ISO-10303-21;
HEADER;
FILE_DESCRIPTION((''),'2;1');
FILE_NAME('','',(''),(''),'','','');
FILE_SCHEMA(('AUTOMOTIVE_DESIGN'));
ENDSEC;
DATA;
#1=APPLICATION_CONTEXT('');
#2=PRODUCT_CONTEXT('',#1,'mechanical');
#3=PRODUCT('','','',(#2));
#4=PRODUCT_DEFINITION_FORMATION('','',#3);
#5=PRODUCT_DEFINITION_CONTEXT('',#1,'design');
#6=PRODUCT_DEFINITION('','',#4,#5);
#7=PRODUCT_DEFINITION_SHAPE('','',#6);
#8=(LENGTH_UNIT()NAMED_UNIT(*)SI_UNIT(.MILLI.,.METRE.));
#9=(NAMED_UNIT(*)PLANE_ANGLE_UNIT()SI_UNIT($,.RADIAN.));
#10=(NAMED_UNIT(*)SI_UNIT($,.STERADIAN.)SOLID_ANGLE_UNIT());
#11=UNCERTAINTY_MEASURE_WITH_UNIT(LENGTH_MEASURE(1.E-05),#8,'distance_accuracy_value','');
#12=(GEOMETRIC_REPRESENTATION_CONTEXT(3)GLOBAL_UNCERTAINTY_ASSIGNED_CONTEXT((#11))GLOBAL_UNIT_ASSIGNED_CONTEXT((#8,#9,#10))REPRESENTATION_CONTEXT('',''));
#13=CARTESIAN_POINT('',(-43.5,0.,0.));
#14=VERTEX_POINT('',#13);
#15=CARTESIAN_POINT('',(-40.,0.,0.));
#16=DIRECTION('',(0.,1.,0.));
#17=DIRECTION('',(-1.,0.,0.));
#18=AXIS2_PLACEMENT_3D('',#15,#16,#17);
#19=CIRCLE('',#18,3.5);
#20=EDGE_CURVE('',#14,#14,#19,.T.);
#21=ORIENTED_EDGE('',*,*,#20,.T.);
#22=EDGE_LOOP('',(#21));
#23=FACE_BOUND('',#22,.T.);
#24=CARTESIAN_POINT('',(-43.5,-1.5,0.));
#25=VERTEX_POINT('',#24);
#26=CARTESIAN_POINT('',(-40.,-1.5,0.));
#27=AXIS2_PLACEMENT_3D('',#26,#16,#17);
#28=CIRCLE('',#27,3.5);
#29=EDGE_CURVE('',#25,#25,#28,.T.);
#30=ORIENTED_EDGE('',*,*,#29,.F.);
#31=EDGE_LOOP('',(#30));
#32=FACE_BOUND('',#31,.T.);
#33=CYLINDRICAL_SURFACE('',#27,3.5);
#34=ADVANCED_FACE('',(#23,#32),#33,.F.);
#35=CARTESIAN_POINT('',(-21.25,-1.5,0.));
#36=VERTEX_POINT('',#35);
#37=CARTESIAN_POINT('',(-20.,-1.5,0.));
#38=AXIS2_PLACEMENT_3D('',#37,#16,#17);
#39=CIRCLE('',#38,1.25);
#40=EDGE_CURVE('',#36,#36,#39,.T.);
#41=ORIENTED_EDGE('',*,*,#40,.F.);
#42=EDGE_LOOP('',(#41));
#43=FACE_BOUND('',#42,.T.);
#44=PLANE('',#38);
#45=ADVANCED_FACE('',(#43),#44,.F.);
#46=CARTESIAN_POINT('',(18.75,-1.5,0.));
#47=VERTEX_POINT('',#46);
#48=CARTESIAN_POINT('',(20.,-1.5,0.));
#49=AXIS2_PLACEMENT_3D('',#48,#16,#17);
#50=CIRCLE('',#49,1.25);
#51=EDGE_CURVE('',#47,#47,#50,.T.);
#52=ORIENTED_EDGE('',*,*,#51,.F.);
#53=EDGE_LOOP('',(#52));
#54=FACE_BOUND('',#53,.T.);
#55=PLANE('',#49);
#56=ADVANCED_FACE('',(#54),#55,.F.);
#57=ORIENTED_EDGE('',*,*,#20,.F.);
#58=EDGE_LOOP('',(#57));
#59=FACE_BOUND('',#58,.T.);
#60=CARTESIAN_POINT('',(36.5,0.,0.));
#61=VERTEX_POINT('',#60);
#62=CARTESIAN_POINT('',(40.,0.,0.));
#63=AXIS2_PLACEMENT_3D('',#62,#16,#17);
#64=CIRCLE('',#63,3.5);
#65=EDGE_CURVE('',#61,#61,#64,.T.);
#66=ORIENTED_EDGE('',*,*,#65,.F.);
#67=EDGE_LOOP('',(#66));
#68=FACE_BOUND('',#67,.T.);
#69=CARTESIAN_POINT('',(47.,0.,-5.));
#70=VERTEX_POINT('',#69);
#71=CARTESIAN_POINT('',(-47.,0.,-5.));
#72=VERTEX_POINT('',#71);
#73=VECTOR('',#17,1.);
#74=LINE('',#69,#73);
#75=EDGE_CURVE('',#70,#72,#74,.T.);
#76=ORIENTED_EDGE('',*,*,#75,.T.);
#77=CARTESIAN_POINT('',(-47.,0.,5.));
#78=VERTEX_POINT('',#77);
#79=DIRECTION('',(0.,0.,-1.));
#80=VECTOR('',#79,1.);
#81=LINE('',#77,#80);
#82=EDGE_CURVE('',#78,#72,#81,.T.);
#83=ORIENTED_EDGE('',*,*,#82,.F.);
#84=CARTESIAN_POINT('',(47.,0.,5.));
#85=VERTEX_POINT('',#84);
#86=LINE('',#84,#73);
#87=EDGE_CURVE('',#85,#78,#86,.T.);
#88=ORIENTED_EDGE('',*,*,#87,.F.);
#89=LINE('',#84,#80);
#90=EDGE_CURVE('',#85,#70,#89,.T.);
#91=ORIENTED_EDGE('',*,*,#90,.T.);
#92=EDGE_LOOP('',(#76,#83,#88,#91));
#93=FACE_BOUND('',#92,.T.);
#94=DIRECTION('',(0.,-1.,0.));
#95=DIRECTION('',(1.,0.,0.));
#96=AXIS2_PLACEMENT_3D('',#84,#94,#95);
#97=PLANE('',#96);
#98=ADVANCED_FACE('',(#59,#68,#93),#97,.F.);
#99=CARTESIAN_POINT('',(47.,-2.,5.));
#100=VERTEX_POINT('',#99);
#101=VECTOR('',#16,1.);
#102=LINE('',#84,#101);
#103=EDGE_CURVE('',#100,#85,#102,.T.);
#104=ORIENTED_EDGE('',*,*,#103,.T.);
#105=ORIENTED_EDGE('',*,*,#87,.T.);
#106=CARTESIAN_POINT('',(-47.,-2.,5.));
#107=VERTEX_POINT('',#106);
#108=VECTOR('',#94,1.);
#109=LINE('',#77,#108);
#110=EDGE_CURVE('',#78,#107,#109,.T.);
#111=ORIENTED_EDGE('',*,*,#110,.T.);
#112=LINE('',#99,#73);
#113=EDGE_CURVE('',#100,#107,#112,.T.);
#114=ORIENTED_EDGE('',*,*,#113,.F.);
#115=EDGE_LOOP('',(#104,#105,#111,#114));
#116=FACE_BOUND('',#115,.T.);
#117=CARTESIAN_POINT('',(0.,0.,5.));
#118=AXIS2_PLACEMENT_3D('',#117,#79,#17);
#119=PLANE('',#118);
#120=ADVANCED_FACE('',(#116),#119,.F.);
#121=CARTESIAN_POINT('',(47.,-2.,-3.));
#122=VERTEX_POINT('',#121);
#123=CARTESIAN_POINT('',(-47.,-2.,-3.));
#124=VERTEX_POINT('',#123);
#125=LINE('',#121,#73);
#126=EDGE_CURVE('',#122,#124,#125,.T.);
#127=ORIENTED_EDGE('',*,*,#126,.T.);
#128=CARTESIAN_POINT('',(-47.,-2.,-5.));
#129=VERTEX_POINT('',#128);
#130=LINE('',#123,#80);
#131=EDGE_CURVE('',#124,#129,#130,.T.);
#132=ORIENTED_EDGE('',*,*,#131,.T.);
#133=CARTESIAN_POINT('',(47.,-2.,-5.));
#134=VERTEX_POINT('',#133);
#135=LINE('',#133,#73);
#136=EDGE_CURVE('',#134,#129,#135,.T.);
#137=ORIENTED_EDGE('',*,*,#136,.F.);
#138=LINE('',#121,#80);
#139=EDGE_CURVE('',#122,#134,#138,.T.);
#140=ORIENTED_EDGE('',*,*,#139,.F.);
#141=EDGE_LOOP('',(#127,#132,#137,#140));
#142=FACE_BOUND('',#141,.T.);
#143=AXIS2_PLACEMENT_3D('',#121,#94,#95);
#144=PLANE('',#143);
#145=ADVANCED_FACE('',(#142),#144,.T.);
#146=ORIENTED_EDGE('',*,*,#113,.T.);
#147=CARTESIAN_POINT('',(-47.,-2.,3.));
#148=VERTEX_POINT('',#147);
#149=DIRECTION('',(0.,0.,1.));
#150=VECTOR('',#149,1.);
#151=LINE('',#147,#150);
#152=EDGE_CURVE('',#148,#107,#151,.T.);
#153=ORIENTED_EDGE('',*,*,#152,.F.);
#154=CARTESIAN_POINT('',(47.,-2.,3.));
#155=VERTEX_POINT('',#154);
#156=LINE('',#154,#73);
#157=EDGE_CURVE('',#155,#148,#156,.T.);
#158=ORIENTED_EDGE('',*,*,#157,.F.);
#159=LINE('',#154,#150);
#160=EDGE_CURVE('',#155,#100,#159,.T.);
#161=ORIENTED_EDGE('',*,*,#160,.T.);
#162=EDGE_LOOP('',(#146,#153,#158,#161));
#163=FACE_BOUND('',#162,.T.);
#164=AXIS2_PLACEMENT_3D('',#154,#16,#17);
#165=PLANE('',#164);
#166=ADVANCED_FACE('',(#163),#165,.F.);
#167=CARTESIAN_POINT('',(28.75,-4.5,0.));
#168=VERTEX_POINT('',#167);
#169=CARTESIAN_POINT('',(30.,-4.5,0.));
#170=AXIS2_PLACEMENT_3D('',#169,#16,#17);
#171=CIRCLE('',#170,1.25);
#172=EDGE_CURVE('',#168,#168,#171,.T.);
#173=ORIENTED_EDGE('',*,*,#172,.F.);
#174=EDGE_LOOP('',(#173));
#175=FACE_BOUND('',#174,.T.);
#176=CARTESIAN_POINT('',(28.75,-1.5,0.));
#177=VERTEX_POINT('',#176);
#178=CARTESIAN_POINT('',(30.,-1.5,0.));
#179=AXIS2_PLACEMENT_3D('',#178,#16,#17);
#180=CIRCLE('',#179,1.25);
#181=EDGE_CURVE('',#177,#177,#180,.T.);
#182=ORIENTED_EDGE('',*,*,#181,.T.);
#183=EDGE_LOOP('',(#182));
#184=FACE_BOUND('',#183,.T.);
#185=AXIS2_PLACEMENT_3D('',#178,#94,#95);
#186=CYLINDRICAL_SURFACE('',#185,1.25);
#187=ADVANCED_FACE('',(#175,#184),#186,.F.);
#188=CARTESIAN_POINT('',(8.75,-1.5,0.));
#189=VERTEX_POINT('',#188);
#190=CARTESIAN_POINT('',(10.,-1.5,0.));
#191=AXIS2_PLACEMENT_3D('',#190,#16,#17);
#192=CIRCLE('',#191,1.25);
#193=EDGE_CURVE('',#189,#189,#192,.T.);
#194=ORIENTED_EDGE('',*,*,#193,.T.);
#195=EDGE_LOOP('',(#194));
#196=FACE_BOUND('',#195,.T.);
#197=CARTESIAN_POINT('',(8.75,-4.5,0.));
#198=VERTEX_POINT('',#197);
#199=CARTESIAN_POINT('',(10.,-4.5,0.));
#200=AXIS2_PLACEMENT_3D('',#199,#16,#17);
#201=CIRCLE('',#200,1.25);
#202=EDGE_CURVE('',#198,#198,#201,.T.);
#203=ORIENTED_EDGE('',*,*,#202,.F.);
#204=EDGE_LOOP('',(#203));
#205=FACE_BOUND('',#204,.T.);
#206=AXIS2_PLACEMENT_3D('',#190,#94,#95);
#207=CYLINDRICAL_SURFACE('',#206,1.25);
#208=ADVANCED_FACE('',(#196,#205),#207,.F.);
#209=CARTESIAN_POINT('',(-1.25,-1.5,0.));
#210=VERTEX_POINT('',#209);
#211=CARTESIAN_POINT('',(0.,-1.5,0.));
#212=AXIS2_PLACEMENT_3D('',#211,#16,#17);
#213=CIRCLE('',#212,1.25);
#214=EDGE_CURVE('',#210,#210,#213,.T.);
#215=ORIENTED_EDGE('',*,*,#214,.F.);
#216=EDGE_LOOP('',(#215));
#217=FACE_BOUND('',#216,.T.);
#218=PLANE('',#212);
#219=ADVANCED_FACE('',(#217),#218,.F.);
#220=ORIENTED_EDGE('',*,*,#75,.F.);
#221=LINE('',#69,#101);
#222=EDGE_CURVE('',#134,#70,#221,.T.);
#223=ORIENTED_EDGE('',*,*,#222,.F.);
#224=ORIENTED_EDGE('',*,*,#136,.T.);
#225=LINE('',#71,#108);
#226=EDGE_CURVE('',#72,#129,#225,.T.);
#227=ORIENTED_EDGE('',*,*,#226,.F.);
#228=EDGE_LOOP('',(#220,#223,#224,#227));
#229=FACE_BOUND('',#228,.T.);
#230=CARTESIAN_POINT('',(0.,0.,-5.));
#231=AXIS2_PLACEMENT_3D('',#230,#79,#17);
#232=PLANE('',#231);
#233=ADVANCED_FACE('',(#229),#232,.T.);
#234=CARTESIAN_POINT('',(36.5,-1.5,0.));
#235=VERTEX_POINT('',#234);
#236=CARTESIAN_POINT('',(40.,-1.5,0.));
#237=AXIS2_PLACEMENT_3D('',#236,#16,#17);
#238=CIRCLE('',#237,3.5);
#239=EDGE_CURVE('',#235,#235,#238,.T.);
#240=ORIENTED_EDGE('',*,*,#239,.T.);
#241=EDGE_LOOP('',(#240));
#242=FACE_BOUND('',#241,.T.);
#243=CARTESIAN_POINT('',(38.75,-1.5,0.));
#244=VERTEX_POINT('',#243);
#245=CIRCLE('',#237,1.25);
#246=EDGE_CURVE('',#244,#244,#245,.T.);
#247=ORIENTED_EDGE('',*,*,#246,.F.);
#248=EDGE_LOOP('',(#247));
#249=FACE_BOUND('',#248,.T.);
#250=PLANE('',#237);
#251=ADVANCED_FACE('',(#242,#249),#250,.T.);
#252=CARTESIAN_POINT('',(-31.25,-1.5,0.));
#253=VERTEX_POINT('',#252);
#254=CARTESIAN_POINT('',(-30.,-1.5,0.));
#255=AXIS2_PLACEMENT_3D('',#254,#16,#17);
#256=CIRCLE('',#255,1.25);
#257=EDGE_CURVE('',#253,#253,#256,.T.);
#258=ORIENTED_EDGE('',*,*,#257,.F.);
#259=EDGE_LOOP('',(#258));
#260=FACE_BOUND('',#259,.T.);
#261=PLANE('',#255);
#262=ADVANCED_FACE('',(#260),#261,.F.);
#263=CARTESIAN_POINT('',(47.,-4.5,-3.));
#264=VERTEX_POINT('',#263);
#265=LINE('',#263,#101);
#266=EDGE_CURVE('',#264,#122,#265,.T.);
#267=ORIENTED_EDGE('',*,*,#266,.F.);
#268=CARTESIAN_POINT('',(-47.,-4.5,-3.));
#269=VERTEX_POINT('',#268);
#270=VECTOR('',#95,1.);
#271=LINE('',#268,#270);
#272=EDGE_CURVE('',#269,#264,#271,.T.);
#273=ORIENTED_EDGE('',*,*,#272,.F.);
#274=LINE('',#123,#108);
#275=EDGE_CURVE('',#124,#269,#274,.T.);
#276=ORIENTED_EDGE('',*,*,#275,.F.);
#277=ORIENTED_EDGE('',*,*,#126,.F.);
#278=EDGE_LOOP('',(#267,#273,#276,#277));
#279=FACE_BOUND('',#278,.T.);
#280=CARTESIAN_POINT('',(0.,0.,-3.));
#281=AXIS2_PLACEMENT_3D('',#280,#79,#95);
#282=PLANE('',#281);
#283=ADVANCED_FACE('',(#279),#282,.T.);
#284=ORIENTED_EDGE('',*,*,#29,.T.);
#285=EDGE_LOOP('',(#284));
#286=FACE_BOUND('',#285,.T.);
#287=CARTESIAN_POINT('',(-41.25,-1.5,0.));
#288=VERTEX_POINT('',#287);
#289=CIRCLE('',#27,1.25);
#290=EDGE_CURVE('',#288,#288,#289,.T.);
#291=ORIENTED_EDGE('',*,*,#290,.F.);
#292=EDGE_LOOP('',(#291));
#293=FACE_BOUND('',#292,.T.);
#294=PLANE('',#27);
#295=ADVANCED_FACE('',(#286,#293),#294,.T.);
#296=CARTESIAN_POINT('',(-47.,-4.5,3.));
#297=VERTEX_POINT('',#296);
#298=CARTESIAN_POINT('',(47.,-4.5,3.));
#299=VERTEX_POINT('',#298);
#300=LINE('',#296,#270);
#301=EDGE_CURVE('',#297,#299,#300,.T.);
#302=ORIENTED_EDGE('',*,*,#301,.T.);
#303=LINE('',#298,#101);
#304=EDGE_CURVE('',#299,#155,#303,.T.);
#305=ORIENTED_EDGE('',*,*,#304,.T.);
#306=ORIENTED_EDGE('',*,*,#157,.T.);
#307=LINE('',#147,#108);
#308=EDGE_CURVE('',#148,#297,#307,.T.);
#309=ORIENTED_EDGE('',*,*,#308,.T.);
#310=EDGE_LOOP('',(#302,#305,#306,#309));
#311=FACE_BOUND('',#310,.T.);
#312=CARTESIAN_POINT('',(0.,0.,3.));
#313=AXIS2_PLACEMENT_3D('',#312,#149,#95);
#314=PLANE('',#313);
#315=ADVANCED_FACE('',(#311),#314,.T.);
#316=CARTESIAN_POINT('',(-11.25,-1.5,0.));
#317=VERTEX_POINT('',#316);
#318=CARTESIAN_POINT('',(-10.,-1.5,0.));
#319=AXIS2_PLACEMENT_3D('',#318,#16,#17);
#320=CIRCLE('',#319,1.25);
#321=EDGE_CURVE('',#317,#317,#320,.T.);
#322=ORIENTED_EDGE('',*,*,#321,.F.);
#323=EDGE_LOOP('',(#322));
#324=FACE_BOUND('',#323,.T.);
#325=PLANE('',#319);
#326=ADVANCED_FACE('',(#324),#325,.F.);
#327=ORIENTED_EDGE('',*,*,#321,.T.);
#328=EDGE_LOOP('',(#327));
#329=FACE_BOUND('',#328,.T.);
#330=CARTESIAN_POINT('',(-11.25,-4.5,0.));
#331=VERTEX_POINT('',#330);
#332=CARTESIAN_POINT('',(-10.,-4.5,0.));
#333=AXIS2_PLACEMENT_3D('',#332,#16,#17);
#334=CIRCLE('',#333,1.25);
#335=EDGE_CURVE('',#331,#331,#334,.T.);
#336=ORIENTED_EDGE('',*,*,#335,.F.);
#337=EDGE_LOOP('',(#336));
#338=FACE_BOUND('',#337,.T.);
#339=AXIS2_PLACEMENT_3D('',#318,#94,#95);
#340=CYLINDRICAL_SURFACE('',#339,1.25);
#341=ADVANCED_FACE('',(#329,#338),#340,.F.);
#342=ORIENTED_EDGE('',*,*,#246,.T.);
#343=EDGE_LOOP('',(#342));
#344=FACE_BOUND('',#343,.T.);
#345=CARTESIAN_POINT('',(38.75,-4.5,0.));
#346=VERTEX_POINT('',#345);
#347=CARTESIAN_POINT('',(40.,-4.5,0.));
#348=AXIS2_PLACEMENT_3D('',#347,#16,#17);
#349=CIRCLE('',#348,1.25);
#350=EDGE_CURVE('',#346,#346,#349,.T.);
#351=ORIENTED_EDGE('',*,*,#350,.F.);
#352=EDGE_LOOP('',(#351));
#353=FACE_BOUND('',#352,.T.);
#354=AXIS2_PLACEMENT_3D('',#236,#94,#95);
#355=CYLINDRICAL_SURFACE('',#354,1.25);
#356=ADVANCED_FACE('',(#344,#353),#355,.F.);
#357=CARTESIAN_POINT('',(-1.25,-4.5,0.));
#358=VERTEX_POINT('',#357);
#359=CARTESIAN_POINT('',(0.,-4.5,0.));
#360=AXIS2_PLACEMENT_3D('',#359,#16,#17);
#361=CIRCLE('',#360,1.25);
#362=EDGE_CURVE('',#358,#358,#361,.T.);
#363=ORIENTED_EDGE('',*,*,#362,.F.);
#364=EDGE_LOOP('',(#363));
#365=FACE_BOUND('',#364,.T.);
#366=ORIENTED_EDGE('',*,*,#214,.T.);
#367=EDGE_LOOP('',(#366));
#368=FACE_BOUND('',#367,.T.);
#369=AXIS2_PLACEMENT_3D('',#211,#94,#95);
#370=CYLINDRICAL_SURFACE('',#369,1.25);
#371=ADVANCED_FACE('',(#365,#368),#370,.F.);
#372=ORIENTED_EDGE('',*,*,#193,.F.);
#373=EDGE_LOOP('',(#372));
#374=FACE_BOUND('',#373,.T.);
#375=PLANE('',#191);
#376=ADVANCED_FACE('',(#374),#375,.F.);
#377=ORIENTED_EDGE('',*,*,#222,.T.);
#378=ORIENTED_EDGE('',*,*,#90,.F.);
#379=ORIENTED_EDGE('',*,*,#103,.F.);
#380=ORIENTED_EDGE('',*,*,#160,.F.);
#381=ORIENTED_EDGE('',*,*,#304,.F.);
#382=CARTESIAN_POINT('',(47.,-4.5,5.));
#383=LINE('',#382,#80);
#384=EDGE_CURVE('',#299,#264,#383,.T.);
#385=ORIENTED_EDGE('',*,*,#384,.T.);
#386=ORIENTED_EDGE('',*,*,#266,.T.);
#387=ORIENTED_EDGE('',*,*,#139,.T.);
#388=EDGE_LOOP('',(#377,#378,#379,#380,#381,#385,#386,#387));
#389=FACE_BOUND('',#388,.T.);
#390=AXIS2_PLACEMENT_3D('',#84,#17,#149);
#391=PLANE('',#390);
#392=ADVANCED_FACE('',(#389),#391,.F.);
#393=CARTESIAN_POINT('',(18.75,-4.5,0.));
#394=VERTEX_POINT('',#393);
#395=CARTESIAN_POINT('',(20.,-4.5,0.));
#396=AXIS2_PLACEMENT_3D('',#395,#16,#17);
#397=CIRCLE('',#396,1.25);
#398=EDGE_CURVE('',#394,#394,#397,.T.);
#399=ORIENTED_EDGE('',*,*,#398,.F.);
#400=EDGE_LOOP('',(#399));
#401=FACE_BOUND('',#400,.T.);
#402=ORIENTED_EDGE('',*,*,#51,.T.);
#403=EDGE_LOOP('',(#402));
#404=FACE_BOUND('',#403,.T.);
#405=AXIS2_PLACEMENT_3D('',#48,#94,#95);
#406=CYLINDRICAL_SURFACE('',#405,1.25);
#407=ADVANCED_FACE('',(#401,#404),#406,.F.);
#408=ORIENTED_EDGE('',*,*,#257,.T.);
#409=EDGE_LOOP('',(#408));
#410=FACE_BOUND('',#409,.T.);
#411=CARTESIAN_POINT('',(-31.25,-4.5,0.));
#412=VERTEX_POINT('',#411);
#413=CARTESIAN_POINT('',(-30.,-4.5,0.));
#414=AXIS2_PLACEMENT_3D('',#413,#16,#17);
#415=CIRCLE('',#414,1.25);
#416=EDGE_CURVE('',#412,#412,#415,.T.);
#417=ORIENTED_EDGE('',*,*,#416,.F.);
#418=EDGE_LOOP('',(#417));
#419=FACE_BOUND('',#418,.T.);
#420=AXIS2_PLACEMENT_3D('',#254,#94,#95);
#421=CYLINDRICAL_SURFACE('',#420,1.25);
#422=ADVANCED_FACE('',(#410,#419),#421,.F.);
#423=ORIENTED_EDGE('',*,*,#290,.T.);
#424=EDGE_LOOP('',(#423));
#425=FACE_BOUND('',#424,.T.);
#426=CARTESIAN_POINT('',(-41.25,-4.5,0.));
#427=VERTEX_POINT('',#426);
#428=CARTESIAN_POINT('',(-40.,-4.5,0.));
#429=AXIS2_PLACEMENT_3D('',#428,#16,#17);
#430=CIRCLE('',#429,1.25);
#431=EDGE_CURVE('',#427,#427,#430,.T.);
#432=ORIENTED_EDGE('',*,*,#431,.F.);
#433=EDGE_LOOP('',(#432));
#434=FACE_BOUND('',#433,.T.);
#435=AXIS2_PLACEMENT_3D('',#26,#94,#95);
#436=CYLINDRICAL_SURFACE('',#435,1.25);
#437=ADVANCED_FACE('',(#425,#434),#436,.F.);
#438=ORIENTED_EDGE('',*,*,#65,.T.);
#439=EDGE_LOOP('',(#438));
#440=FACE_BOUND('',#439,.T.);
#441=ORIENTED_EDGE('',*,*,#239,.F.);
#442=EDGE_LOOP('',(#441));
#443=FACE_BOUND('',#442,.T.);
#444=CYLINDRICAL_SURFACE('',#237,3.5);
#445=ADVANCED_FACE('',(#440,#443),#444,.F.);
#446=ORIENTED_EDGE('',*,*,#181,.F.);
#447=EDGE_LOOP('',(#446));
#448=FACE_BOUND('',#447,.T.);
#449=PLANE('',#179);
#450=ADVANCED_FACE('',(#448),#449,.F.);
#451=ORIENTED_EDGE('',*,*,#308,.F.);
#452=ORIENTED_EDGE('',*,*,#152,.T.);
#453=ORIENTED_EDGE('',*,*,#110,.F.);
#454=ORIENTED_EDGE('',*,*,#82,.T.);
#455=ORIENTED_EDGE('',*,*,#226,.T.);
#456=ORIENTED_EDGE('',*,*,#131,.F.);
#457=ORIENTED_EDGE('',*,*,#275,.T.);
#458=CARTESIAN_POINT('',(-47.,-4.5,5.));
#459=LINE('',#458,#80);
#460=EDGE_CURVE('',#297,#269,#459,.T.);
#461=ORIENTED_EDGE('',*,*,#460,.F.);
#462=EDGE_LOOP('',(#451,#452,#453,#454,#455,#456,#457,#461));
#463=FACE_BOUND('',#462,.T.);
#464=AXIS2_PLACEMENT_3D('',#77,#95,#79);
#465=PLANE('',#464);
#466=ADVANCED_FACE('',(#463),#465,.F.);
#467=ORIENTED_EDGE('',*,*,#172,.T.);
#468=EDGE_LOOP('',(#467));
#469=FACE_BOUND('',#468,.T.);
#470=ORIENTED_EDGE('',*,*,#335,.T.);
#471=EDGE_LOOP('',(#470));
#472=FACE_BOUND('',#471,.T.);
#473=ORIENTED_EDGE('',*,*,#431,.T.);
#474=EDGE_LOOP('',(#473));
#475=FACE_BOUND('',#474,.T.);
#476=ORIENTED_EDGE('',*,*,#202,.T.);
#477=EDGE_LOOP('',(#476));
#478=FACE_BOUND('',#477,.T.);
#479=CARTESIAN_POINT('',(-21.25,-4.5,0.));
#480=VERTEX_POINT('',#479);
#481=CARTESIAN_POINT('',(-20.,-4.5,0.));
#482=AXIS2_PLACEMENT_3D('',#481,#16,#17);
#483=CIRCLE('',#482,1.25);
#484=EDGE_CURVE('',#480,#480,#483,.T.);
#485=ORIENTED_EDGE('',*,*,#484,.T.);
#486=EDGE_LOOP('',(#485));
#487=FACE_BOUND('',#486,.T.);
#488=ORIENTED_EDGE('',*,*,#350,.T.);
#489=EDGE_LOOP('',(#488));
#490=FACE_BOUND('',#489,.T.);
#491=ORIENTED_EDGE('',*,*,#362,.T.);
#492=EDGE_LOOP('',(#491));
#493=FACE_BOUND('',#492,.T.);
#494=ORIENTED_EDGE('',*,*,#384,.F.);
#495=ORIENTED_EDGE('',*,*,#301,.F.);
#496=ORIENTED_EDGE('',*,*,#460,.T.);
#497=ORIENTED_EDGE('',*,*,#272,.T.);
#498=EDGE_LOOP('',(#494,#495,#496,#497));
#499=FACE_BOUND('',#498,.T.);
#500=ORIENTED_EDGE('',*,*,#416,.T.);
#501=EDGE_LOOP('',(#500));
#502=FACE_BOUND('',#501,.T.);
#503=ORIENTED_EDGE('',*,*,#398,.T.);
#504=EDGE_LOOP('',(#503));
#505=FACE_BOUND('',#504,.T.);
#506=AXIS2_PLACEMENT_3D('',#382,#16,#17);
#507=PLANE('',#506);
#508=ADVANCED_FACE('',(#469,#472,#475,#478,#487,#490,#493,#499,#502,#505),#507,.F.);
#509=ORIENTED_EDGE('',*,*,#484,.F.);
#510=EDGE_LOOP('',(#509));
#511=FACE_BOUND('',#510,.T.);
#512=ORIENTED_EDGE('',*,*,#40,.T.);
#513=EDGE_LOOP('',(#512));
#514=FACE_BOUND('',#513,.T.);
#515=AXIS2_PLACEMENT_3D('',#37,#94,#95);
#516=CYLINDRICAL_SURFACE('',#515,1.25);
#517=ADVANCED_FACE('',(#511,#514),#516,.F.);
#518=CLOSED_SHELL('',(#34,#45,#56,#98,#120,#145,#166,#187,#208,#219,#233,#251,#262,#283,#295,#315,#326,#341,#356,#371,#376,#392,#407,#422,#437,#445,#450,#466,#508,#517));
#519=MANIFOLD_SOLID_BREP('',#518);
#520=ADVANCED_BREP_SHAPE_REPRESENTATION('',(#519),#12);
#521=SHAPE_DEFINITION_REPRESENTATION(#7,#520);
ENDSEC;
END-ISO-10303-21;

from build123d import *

# Parameters (mm, degrees)
SKETCH1_W          = 94
SKETCH1_H          = 4.5
MAIN_DEPTH         = 5
SKETCH4_W          = 94
SKETCH4_H          = 2.5
WINDOWSLOT1_DEPTH  = 2
SKETCH6_R          = 1.25
CUT_EXTRUDE2_DEPTH = 3
LPATTERN1_COUNT    = 9
LPATTERN1_PITCH    = 10
SKETCH7_R          = 3.5
CUT_EXTRUDE4_DEPTH = 1.5


with BuildPart() as part:
    # Sketch1 → Main (new body, symmetric)
    with BuildSketch(Plane.XY):
        with Locations((0, -2.25)):
            Rectangle(SKETCH1_W, SKETCH1_H)
    extrude(amount=MAIN_DEPTH, both=True)

    # Sketch4 → WindowSlot1 (cut)
    with BuildSketch(Plane.XY.offset(5)):
        with Locations((0, -3.25)):
            Rectangle(SKETCH4_W, SKETCH4_H)
    windowslot1 = extrude(amount=-WINDOWSLOT1_DEPTH, mode=Mode.SUBTRACT)

    # Mirror1: WindowSlot1 across plane
    add(windowslot1.mirror(Plane.XY), mode=Mode.SUBTRACT)

    # Sketch6 → Cut-Extrude2 (cut)
    with BuildSketch(Plane.ZX.offset(-4.5)):
        with Locations((0, 40)):
            Circle(SKETCH6_R)
    cut_extrude2 = extrude(amount=CUT_EXTRUDE2_DEPTH, mode=Mode.SUBTRACT)

    # LPattern1: Cut-Extrude2 ×9
    with Locations(*[(-i * LPATTERN1_PITCH, 0, 0) for i in range(1, LPATTERN1_COUNT)]):
        add(cut_extrude2, mode=Mode.SUBTRACT)

    # Sketch7 → Cut-Extrude4 (cut)
    with BuildSketch(Plane.ZX):
        with Locations((0, 40)):
            Circle(SKETCH7_R)
        with Locations((0, -40)):
            Circle(SKETCH7_R)
    extrude(amount=-CUT_EXTRUDE4_DEPTH, mode=Mode.SUBTRACT)


solid = part.part
